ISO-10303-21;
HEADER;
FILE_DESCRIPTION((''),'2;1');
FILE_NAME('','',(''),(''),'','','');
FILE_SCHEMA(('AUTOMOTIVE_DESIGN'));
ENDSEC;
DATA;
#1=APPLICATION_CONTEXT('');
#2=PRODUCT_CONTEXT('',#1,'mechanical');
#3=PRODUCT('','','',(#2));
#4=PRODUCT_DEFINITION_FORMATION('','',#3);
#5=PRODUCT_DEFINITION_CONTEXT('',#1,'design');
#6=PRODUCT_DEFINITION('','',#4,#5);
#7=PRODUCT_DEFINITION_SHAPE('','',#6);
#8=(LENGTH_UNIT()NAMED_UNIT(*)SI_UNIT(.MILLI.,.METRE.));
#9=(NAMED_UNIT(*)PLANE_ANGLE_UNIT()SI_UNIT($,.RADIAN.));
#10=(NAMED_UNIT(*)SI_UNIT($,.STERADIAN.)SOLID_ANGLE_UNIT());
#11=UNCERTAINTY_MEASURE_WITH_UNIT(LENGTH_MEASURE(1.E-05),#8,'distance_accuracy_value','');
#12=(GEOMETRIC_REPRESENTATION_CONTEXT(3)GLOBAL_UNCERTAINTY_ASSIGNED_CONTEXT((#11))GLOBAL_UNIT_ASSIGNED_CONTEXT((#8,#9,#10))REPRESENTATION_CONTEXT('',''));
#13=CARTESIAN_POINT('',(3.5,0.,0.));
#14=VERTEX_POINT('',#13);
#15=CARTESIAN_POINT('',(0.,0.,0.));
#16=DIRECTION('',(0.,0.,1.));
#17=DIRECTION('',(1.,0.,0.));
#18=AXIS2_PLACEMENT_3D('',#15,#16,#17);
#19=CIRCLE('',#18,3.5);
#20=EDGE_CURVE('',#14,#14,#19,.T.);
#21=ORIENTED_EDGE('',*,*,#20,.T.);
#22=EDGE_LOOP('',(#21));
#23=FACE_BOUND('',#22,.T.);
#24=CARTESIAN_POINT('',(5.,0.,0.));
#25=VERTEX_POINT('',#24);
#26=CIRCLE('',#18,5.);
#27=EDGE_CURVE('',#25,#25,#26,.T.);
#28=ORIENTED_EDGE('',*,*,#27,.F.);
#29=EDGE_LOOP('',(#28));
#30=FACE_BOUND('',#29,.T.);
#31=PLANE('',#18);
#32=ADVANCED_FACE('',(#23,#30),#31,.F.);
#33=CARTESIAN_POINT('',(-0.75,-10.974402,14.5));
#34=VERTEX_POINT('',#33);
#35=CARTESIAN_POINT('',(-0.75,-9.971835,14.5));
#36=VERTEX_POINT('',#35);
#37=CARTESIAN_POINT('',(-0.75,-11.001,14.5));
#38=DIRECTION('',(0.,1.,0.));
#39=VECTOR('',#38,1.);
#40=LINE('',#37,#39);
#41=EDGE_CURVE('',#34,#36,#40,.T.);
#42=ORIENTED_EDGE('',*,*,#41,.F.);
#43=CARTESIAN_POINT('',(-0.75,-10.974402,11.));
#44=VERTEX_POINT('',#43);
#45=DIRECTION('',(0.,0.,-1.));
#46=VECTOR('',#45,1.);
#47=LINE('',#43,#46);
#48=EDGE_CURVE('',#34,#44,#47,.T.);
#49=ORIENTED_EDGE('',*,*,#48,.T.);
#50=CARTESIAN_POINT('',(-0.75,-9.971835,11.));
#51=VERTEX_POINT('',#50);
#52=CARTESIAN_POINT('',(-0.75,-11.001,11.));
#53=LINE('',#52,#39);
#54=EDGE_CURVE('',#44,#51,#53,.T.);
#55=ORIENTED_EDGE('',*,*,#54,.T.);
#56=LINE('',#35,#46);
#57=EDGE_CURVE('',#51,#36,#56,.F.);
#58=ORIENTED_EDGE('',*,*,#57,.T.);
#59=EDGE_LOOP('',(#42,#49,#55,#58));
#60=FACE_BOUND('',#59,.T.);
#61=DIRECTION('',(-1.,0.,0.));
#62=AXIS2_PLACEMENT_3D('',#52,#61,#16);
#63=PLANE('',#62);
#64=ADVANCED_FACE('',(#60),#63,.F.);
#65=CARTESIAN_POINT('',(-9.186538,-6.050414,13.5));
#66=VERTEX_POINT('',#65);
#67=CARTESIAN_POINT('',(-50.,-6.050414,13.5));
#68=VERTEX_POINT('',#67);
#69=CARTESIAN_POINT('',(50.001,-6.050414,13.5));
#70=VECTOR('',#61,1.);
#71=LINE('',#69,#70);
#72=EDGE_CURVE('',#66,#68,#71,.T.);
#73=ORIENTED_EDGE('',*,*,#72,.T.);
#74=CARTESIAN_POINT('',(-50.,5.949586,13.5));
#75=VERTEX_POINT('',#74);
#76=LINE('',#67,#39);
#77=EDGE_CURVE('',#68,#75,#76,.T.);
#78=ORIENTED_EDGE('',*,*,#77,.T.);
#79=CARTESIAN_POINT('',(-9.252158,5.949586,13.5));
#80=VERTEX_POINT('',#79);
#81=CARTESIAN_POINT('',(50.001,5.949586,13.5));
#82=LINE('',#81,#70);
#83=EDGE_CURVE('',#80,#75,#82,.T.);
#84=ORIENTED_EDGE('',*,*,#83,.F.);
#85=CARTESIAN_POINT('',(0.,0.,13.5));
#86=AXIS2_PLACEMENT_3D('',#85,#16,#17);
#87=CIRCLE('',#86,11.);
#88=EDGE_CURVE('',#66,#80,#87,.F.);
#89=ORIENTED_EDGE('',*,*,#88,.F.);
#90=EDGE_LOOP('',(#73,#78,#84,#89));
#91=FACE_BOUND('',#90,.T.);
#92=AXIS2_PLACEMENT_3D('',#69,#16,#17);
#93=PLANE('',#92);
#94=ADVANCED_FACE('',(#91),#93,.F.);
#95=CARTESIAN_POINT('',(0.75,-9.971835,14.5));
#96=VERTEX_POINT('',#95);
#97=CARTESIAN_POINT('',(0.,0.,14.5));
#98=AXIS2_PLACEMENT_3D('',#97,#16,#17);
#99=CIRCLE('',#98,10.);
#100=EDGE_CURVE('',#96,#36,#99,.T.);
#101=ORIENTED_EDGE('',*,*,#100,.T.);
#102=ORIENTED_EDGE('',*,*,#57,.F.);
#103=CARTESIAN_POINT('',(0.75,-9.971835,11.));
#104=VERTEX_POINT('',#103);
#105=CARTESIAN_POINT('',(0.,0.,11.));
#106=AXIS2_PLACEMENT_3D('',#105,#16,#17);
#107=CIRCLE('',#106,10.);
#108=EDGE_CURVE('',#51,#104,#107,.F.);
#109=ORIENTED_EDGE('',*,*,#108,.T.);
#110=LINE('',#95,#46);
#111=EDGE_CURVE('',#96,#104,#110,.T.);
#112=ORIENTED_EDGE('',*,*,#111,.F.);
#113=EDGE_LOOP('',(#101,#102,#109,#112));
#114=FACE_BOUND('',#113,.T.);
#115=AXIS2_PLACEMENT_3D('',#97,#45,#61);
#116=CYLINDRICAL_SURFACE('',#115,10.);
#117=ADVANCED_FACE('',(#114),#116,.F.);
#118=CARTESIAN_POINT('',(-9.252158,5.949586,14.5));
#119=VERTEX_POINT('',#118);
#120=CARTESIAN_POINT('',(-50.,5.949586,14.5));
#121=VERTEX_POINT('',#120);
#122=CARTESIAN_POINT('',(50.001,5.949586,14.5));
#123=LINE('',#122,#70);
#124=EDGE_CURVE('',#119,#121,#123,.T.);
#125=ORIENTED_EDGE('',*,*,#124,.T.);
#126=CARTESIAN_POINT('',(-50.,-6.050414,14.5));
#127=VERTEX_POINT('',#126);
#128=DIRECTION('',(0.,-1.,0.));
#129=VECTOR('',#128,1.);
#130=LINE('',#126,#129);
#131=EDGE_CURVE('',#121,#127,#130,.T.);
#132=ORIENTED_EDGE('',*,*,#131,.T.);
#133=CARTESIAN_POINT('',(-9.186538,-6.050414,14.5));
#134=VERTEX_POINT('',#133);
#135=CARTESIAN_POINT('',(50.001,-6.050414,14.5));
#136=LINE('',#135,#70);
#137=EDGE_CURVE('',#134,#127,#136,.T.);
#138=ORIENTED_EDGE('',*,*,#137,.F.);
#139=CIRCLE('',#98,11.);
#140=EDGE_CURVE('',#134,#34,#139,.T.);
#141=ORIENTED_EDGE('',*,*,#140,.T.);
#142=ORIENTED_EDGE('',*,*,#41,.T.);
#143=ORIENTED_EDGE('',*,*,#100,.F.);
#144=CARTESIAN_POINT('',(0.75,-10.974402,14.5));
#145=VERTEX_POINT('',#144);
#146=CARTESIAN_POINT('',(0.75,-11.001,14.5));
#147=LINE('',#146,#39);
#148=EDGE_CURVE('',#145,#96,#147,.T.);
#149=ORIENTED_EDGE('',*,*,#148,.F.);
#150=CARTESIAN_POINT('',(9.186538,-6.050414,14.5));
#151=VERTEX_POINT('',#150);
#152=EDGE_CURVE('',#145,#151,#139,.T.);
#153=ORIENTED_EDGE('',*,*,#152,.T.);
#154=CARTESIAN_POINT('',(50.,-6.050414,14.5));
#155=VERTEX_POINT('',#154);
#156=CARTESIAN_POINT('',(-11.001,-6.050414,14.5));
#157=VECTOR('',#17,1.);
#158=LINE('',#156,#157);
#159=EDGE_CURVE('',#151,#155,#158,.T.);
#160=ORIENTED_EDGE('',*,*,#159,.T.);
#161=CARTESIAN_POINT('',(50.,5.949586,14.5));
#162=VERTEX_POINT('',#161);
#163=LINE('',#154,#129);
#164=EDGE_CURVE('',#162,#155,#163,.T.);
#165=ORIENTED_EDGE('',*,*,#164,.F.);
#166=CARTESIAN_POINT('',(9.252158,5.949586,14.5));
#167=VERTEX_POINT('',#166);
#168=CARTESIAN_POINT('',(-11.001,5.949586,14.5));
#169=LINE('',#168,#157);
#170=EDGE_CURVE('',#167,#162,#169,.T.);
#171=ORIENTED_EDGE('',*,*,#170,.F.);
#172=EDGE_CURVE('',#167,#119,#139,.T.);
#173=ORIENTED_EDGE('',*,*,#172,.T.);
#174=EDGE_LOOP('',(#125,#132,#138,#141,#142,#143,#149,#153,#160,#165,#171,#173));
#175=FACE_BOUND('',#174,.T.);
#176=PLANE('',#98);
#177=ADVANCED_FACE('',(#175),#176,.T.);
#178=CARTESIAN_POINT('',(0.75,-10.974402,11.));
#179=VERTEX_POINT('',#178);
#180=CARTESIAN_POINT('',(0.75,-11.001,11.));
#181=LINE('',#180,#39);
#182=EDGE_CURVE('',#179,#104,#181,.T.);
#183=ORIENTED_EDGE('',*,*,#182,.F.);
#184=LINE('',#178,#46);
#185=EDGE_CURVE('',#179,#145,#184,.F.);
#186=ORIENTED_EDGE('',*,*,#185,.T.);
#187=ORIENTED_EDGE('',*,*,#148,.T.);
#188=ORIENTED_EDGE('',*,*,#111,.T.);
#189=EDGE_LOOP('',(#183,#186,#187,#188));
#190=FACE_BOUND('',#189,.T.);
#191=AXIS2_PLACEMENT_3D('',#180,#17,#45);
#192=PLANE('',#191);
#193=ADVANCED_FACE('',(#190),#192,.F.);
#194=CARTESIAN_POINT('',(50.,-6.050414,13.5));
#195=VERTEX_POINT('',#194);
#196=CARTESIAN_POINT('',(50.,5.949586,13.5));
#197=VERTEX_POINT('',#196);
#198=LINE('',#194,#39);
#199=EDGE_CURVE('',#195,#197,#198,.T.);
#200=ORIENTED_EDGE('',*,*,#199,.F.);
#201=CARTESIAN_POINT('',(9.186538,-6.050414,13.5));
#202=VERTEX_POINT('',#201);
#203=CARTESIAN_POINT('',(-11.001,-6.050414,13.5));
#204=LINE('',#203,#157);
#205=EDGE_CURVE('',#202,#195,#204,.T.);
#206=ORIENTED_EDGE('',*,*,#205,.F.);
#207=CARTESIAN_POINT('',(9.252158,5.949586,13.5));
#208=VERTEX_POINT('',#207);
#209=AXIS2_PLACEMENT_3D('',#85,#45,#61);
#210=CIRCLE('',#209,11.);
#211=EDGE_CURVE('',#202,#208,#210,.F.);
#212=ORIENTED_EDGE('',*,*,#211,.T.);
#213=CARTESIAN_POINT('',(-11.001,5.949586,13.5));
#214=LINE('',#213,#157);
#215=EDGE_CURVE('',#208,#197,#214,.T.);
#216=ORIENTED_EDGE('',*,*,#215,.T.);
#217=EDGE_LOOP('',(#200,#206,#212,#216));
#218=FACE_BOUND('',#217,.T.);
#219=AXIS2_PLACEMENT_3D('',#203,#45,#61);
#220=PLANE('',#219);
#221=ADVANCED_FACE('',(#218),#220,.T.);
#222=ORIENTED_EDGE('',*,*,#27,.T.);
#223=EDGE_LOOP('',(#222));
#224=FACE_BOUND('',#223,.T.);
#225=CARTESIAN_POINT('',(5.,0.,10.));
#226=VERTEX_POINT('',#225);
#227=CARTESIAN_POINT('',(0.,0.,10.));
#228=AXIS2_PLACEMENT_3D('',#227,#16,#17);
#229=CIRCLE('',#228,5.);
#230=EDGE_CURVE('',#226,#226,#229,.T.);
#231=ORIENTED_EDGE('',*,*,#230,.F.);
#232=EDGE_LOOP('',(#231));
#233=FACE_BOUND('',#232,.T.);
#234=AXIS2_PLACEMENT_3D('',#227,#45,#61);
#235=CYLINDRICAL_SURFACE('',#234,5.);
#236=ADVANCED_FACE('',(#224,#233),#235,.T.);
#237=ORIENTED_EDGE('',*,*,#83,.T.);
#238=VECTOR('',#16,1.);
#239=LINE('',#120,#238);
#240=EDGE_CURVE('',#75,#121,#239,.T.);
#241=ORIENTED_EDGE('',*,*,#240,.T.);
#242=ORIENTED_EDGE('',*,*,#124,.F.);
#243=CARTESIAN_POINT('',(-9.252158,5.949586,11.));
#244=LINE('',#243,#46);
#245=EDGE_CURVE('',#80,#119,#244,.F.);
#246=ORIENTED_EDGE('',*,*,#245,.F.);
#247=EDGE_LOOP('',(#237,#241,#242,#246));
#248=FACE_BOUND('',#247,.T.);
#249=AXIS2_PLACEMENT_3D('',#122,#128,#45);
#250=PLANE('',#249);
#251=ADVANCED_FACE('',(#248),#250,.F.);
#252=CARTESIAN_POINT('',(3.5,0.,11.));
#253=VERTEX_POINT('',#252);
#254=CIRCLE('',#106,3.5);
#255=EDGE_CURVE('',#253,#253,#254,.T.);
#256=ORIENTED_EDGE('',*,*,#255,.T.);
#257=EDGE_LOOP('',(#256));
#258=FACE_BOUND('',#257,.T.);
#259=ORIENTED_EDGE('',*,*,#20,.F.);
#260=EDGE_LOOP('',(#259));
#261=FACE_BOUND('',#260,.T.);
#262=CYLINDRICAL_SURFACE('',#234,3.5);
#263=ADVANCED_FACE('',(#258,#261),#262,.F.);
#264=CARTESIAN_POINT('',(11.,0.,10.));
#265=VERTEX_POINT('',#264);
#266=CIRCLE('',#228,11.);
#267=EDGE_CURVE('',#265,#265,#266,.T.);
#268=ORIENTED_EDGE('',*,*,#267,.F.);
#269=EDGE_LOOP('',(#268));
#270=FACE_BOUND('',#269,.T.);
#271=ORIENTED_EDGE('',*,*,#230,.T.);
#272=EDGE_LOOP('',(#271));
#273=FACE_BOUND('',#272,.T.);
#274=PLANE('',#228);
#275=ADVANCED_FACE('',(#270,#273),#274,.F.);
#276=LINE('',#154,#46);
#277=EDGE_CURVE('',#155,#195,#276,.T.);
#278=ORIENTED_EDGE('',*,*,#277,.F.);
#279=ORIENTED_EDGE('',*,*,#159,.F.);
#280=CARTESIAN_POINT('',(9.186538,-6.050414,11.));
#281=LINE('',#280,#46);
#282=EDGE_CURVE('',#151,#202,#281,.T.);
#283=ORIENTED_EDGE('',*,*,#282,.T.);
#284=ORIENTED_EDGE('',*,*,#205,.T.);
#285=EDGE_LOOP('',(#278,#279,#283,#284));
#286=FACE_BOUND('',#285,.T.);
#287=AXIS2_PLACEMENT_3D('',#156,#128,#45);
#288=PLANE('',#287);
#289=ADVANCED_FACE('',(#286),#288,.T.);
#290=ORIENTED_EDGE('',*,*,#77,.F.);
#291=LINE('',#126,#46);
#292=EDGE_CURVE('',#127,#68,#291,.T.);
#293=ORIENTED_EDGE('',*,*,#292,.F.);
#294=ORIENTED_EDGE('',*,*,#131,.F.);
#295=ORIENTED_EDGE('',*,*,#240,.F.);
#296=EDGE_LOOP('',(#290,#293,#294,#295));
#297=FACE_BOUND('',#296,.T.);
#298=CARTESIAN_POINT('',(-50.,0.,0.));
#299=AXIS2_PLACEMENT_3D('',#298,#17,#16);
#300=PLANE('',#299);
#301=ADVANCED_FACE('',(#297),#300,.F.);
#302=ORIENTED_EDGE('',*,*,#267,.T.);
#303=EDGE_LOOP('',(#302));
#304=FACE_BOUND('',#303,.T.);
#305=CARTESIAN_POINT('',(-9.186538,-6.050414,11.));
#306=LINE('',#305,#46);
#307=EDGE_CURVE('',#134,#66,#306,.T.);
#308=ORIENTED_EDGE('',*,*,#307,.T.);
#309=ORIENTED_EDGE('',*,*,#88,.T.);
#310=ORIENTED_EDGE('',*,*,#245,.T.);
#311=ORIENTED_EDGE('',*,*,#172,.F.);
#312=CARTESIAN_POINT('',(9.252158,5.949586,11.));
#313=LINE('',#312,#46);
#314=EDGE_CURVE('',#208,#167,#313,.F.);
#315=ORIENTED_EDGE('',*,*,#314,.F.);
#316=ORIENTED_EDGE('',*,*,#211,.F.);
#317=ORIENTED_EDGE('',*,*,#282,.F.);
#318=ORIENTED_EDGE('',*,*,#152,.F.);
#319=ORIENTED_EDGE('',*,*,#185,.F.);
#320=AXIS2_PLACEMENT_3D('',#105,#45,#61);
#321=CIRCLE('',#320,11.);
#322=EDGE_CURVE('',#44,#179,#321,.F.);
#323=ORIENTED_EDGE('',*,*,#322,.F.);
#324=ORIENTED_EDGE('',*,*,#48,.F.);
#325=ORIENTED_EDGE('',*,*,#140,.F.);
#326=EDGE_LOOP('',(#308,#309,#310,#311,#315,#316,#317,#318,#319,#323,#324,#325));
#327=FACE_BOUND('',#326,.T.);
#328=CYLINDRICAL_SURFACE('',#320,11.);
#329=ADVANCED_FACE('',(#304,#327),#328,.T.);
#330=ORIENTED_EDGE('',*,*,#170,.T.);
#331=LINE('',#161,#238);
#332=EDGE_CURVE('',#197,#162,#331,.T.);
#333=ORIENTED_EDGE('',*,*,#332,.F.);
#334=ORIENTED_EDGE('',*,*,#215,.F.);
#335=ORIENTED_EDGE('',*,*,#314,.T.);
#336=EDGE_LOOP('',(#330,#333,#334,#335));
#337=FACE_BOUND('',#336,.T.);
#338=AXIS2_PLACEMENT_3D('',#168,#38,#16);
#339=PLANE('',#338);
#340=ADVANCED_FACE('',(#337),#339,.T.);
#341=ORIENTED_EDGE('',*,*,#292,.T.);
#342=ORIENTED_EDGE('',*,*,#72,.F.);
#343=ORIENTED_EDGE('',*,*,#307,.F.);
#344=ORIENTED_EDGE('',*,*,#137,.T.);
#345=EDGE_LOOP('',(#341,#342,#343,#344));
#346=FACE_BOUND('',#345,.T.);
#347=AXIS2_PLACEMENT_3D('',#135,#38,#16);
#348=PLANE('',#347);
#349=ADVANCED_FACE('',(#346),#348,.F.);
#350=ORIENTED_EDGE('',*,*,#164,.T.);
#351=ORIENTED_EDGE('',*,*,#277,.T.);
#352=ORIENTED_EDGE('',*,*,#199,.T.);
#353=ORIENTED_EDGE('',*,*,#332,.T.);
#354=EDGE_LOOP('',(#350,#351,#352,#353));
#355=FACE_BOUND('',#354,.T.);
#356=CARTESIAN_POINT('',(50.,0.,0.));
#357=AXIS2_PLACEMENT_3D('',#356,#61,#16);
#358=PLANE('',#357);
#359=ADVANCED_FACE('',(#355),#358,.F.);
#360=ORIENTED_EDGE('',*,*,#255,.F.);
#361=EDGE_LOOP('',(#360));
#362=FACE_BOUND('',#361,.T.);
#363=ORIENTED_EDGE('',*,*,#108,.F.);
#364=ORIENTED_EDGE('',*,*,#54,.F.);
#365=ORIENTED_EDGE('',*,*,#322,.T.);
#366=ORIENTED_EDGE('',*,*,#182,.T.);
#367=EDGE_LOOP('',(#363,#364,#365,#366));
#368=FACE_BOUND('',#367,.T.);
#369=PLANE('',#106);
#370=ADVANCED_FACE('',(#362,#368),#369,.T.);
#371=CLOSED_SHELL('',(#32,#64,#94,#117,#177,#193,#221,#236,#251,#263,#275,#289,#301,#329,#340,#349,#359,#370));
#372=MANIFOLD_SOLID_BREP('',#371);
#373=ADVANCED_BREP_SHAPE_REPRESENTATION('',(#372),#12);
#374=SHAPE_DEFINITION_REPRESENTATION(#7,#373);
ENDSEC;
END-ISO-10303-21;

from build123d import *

# Parameters (mm, degrees)
ESBO_O1_R                     = 5
ESBO_O1_R_2                   = 3.5
RESSALTO_EXTRUS_O1_DEPTH      = 10
ESBO_O2_R                     = 11
ESBO_O2_R_2                   = 3.5
RESSALTO_EXTRUS_O2_DEPTH      = 1
ESBO_O3_R                     = 11
ESBO_O3_R_2                   = 10
RESSALTO_EXTRUS_O3_DEPTH      = 3.5
CORTE_EXTRUS_O1_REACH         = 23.266
CORTE_EXTRUS_O1_END_RADIUS    = 11
ESBO_O4_W                     = 1.5
ESBO_O4_H                     = 3.5
RESSALTO_EXTRUS_O4_REACH      = 65.657
RESSALTO_EXTRUS_O4_END_RADIUS = 11
ESBO_O8_W                     = 1
ESBO_O8_H                     = 12


with BuildPart() as part:
    # Esboço1 → Ressalto-extrusão1 (new body)
    with BuildSketch(Plane.XY):
        Circle(ESBO_O1_R)
        Circle(ESBO_O1_R_2, mode=Mode.SUBTRACT)
    extrude(amount=RESSALTO_EXTRUS_O1_DEPTH)

    # Esboço2 → Ressalto-extrusão2 (add)
    with BuildSketch(Plane.XY.offset(10)):
        Circle(ESBO_O2_R)
        Circle(ESBO_O2_R_2, mode=Mode.SUBTRACT)
    extrude(amount=RESSALTO_EXTRUS_O2_DEPTH)

    # Esboço3 → Ressalto-extrusão3 (add)
    with BuildSketch(Plane.XY.offset(11)):
        Circle(ESBO_O3_R)
        Circle(ESBO_O3_R_2, mode=Mode.SUBTRACT)
    extrude(amount=RESSALTO_EXTRUS_O3_DEPTH)

    # Corte-extrusão1: up to this cylinder (the profile starts inside it)
    corte_extrus_o1_end = Plane(origin=(0, 0, 12.75), z_dir=(0, 0, -1)) * Cylinder(CORTE_EXTRUS_O1_END_RADIUS, 69.532, mode=Mode.PRIVATE)
    # Esboço4 → Corte-extrusão1 (cut, up to the surface)
    with BuildSketch(Plane(origin=(0, 0, 0), x_dir=(1, 0, 0), z_dir=(0, 1, 0)), mode=Mode.PRIVATE) as corte_extrus_o1_sk1:
        with Locations((0, -12.75)):
            Rectangle(ESBO_O4_W, ESBO_O4_H)
    corte_extrus_o1_tool1 = extrude(corte_extrus_o1_sk1.sketch, amount=-CORTE_EXTRUS_O1_REACH, mode=Mode.PRIVATE) & corte_extrus_o1_end
    add(corte_extrus_o1_tool1.solids().sort_by_distance((0, 0, 12.75))[0], mode=Mode.SUBTRACT)

    # Ressalto-extrusão4: up to this cylinder (the profile starts outside it)
    ressalto_extrus_o4_end = Plane(origin=(0, 0, 14), z_dir=(0, 0, -1)) * Cylinder(RESSALTO_EXTRUS_O4_END_RADIUS, 154.314, mode=Mode.PRIVATE)
    # Esboço8 → Ressalto-extrusão4 (add, up to the surface)
    with BuildSketch(Plane(origin=(50, 0, 0), x_dir=(0, 0, -1), z_dir=(1, 0, 0)), mode=Mode.PRIVATE) as ressalto_extrus_o4_sk1:
        with Locations((-14, -0.050414446)):
            Rectangle(ESBO_O8_W, ESBO_O8_H)
    ressalto_extrus_o4_tool1 = extrude(ressalto_extrus_o4_sk1.sketch, amount=-RESSALTO_EXTRUS_O4_REACH, mode=Mode.PRIVATE) - ressalto_extrus_o4_end
    ressalto_extrus_o4 = ressalto_extrus_o4_tool1.solids().sort_by_distance((50, -0.050414, 14))[0]
    add(ressalto_extrus_o4)

    # Espelhar1: Ressalto-extrusão4 across plane
    add(ressalto_extrus_o4.mirror(Plane(origin=(0, 0, 0), x_dir=(0, 0, 1), z_dir=(1, 0, 0))))


solid = part.part
